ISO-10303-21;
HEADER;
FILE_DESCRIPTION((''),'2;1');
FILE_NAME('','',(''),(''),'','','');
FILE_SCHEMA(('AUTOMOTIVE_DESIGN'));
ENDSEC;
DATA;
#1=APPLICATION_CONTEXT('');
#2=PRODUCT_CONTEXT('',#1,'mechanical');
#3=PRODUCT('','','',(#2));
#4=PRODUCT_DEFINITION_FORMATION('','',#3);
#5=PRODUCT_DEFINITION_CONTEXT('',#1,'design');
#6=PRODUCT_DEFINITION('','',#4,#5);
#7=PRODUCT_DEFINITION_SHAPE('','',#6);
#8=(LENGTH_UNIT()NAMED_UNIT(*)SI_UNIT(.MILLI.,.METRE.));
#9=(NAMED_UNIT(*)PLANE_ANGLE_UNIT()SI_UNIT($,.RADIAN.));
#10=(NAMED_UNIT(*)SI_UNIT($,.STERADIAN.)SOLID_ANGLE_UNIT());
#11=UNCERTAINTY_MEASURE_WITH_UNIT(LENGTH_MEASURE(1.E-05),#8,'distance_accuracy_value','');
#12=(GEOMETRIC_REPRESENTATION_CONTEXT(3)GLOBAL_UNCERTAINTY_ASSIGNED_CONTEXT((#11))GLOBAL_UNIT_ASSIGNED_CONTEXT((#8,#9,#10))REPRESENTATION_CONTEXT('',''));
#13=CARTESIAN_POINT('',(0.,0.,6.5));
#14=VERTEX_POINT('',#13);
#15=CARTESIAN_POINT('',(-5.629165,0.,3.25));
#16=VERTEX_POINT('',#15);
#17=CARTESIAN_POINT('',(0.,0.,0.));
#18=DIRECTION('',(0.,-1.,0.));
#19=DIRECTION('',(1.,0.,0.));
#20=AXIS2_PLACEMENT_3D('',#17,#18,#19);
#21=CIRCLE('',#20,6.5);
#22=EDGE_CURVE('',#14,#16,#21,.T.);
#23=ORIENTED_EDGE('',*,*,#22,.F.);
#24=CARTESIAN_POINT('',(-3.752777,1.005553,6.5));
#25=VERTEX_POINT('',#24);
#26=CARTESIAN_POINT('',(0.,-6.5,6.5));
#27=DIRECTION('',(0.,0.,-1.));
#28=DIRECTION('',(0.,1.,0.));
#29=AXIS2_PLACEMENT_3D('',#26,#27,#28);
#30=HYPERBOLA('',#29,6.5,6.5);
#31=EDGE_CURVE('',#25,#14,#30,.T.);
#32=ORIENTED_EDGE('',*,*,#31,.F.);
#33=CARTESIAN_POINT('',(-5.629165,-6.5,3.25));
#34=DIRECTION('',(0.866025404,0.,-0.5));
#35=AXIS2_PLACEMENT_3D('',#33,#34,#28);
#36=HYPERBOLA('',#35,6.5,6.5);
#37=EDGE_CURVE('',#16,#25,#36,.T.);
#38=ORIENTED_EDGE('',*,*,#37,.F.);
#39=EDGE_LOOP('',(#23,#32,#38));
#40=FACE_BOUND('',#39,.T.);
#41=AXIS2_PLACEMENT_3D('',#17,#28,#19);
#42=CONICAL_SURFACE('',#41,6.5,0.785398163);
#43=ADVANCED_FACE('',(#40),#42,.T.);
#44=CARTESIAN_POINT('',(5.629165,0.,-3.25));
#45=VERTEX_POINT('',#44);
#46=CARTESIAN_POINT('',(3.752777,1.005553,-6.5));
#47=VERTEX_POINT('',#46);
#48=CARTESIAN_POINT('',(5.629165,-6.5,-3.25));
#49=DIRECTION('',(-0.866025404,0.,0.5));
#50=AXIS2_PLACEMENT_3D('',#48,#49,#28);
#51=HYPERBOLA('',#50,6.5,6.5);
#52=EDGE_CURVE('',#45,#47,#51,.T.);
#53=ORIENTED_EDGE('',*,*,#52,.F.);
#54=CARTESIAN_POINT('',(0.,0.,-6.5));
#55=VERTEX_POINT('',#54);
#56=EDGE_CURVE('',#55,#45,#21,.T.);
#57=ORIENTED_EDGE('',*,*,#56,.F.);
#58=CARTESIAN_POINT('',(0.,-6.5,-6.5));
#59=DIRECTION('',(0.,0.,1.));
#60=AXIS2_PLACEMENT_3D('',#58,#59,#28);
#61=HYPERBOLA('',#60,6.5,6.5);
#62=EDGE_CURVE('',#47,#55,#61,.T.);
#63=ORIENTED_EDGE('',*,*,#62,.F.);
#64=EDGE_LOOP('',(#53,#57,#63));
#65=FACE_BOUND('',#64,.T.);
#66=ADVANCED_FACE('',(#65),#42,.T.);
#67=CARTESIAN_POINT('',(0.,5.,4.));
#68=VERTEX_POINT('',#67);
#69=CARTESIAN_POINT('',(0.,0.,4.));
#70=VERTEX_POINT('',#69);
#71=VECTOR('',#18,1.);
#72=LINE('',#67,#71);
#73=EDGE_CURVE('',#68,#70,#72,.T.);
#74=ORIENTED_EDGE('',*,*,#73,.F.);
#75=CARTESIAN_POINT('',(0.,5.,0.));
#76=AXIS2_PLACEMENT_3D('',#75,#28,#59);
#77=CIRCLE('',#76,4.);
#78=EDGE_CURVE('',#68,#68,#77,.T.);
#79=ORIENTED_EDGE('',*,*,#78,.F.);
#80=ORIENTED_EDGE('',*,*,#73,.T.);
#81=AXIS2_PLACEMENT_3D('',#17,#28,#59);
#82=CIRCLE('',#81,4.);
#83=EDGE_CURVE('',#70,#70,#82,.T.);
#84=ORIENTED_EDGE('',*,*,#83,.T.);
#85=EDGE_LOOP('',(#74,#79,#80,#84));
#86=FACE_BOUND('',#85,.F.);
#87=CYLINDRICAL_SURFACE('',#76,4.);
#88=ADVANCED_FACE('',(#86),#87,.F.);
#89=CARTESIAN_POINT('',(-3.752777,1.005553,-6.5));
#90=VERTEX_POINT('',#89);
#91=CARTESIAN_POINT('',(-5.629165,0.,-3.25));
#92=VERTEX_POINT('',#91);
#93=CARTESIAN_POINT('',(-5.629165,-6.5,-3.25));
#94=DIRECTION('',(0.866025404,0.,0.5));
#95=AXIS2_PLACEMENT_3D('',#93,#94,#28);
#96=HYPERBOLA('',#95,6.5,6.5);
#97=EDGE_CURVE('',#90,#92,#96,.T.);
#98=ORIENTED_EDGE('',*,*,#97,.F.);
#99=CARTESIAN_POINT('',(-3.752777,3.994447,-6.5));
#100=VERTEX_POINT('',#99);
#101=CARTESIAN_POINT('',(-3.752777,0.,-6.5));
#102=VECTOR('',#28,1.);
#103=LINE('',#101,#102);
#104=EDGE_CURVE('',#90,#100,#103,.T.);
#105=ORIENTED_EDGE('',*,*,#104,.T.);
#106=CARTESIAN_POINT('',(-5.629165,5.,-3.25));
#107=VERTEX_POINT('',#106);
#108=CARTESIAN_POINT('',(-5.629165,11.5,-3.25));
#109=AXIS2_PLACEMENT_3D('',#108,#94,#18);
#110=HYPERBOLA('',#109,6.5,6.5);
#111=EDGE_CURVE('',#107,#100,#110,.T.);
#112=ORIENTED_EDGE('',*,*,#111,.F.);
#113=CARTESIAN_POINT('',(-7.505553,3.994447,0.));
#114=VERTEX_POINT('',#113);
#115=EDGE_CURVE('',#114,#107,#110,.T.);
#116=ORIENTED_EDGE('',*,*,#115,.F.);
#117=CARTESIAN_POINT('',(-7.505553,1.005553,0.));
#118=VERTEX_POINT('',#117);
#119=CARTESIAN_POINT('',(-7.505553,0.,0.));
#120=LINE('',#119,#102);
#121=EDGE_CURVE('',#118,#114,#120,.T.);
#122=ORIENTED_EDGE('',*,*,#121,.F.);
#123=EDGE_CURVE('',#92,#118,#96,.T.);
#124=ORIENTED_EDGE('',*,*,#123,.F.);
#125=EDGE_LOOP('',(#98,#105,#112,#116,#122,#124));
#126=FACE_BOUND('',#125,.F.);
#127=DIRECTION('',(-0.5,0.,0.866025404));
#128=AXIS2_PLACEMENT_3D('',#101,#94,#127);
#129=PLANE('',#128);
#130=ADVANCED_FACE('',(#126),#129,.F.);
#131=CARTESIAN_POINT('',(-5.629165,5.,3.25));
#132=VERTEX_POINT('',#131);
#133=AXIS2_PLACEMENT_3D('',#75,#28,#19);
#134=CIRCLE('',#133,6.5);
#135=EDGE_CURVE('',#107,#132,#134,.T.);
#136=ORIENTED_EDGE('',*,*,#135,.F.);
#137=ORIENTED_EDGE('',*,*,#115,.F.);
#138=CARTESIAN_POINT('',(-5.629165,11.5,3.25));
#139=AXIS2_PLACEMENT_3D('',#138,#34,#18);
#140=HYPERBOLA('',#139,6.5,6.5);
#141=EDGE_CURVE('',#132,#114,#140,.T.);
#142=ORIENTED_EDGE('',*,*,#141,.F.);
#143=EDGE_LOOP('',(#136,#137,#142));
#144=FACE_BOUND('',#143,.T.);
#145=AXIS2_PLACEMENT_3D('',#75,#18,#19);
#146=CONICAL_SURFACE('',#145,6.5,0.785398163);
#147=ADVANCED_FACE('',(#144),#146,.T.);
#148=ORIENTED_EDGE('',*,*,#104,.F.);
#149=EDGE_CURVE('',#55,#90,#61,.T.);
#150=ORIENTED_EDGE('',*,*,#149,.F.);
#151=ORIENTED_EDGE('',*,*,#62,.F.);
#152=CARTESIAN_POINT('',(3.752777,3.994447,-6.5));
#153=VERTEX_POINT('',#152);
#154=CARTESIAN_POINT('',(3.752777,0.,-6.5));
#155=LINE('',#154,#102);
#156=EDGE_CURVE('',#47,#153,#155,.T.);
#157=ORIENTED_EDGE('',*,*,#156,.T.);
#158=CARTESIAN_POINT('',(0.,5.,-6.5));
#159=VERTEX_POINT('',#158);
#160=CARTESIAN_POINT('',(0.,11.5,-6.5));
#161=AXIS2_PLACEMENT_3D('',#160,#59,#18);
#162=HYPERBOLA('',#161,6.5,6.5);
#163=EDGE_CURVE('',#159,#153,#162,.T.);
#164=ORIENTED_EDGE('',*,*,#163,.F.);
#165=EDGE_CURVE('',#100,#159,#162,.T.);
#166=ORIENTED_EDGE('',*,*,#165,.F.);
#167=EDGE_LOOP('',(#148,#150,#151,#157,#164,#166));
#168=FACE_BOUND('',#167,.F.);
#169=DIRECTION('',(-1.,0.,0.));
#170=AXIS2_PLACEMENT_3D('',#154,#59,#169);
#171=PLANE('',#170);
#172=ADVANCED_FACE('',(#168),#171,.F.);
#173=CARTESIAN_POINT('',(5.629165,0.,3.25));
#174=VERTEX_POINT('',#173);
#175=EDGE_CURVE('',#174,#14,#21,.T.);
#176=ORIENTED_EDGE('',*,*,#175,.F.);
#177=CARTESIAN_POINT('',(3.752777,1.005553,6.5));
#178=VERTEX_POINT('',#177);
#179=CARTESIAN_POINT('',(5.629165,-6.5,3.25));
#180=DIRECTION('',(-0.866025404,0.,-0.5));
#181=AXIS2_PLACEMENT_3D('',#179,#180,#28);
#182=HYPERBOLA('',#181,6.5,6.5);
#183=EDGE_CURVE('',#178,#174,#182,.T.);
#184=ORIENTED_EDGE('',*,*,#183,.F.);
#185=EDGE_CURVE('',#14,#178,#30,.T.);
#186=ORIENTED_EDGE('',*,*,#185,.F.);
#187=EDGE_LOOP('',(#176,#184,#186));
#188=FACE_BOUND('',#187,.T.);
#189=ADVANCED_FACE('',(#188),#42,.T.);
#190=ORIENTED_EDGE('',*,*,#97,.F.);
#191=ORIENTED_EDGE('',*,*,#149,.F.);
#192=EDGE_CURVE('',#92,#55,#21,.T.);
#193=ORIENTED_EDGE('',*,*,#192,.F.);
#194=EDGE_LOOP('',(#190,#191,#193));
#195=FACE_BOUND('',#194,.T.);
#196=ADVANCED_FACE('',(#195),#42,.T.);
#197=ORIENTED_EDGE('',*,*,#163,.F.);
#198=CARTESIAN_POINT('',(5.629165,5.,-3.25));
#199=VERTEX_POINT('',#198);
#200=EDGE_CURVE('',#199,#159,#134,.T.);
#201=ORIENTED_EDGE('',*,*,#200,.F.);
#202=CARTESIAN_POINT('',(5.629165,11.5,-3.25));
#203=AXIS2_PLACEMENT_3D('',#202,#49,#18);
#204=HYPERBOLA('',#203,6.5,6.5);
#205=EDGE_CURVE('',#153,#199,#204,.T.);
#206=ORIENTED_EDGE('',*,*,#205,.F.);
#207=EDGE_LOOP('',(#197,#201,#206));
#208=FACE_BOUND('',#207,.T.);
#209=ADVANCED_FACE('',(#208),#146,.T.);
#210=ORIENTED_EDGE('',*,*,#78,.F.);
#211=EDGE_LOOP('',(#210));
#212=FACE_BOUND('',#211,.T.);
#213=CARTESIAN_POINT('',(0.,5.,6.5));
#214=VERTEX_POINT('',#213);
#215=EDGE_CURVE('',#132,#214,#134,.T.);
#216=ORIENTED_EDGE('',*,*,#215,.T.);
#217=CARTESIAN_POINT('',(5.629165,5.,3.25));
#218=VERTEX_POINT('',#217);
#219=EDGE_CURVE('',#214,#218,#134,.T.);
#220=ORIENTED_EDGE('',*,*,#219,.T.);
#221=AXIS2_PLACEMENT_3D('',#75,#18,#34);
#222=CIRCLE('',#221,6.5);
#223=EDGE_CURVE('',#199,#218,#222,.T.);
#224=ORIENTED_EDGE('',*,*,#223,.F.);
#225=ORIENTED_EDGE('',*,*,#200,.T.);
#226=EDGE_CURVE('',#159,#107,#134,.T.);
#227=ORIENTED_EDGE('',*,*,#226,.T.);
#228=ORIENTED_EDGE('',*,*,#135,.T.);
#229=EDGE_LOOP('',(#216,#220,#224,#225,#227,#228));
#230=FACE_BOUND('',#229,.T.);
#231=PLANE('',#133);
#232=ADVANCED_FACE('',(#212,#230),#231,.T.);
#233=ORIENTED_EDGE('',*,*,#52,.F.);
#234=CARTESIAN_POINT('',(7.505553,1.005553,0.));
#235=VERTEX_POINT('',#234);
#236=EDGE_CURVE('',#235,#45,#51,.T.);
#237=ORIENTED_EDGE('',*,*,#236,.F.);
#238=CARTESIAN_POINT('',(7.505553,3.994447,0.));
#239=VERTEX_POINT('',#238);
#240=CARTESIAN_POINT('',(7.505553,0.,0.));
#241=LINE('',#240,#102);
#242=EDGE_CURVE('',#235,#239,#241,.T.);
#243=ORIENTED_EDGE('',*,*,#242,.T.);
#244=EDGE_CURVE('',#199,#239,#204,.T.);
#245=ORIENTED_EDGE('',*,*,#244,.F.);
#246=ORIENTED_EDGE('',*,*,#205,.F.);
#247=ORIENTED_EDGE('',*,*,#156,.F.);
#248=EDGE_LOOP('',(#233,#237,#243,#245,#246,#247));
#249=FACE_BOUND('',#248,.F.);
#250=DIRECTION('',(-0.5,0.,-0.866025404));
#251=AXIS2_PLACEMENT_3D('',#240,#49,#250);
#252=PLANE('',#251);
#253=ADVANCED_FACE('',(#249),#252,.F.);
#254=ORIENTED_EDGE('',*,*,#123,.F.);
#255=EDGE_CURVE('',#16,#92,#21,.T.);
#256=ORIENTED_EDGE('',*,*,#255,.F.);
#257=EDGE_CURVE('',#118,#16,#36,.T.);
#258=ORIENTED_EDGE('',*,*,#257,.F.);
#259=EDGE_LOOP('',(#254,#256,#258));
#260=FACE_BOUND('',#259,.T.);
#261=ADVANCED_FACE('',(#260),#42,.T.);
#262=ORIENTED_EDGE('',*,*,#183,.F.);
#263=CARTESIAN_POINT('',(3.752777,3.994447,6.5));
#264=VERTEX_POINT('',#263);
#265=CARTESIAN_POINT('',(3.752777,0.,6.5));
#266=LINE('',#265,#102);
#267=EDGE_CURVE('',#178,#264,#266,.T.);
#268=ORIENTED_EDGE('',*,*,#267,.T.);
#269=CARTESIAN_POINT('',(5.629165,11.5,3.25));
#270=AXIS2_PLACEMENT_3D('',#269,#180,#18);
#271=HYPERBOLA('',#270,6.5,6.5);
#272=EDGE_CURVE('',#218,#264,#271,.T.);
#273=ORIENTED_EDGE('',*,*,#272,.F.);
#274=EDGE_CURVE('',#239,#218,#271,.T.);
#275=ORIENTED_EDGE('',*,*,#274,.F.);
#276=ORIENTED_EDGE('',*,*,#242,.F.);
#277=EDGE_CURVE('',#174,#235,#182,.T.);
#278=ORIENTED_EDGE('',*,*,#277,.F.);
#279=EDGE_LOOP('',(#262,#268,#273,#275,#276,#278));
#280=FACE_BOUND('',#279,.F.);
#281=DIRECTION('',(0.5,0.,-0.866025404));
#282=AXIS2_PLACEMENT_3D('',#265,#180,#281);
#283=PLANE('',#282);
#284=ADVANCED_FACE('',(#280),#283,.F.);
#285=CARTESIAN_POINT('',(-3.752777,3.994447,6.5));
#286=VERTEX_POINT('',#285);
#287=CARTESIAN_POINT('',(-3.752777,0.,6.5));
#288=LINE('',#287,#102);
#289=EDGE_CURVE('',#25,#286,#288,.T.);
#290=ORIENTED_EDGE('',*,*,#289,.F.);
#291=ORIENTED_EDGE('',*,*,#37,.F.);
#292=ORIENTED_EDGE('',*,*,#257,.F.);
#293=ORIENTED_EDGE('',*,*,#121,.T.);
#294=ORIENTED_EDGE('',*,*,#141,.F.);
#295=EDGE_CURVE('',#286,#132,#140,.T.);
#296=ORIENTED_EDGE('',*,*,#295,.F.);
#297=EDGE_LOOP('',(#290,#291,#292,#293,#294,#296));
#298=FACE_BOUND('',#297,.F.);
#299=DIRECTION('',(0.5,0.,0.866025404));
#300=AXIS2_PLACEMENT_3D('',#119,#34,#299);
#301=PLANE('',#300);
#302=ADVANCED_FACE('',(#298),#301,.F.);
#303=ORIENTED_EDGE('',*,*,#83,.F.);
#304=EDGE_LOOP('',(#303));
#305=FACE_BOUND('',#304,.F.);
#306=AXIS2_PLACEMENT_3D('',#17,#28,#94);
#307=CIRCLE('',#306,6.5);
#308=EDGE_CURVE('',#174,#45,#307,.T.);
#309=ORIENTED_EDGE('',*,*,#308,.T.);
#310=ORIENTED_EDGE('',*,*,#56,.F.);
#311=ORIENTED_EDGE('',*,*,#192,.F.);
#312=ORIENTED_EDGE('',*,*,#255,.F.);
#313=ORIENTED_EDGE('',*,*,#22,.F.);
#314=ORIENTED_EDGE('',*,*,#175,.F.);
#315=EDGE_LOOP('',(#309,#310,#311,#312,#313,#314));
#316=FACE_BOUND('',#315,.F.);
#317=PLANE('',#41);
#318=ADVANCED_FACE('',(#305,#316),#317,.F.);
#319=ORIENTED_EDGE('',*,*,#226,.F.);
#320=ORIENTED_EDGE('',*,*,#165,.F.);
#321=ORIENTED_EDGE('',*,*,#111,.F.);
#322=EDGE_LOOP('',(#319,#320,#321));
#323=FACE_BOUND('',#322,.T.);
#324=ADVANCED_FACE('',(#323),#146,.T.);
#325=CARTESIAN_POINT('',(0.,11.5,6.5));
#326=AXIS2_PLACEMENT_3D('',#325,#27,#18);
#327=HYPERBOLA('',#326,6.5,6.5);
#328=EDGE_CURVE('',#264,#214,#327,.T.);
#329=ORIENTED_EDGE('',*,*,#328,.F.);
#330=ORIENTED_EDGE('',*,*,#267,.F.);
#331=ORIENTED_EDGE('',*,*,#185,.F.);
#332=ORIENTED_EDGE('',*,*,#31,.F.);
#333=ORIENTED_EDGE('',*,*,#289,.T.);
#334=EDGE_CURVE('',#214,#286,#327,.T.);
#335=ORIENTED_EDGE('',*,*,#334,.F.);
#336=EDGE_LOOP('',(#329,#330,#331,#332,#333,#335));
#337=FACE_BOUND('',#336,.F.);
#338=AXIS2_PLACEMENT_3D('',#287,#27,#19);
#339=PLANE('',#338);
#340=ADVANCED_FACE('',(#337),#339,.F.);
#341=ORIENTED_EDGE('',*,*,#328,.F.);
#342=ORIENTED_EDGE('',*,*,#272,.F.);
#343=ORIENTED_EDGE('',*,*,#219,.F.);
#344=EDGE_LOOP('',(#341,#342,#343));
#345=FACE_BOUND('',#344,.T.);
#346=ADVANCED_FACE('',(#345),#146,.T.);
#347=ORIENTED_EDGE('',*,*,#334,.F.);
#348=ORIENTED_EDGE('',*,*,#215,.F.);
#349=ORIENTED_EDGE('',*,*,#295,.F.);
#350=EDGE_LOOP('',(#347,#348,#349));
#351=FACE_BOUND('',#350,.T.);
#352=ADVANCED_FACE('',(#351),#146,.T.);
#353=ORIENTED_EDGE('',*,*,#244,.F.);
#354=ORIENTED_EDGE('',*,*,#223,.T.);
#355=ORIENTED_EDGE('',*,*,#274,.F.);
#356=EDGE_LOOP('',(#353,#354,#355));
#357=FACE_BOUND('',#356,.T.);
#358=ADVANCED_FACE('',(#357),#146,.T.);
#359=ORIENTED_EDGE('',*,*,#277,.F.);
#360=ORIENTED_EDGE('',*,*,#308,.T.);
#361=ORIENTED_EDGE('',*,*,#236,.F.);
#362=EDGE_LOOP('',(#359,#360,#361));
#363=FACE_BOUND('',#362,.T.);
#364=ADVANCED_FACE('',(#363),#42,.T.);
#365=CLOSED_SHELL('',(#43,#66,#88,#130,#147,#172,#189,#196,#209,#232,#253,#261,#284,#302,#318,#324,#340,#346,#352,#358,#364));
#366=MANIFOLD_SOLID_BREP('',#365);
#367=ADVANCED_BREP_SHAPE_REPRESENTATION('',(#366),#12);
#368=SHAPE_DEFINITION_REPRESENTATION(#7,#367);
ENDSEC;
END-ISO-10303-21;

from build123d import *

# Parameters (mm, degrees)
BOSS_EXTRUDE1_DEPTH     = 5
SKETCH2_OUTSIDE_W       = 45.342
SKETCH2_OUTSIDE_H       = 43.33
SKETCH2_OUTSIDE_R       = 6.5
CUT_EXTRUDE1_DEPTH      = 12.116804097
CUT_EXTRUDE1_DRAFT      = -45
MIRROR1_COPY_1_SKETCH_W = 45.342
MIRROR1_COPY_1_SKETCH_H = 43.33
MIRROR1_COPY_1_SKETCH_R = 6.5
MIRROR1_COPY_1_DEPTH    = 12.116804097
MIRROR1_COPY_1_DRAFT    = -45
SKETCH3_R               = 4
CUT_EXTRUDE2_DEPTH      = 12.116804097


with BuildPart() as part:
    # Sketch1 → Boss-Extrude1 (new body)
    with BuildSketch(Plane(origin=(0, 0, 0), x_dir=(1, 0, 0), z_dir=(0, 1, 0))):
        Polygon((7.505553499, 0), (3.75277675, 6.5), (-3.75277675, 6.5), (-7.505553499, 0), (-3.75277675, -6.5), (3.75277675, -6.5), align=None)
    extrude(amount=BOSS_EXTRUDE1_DEPTH)


with BuildPart() as cut_extrude1_tool:
    # Sketch2 outside → Cut-Extrude1 (with draft: the straight prism first)
    with BuildSketch(Plane(origin=(0, 5, 0), x_dir=(1, 0, 0), z_dir=(0, 1, 0))):
        Rectangle(SKETCH2_OUTSIDE_W, SKETCH2_OUTSIDE_H)
        Circle(SKETCH2_OUTSIDE_R, mode=Mode.SUBTRACT)
    extrude(amount=-CUT_EXTRUDE1_DEPTH)
    # Cut-Extrude1: the draft: its side faces are tilted about the plane it starts from
    cut_extrude1_sides = [cut_extrude1_tool.faces().sort_by_distance(p)[0] for p in [
        (0, -1.058402049, 21.665),
        (22.671, -1.058402049, 0),
        (0, -1.058402049, -21.665),
        (-22.671, -1.058402049, 0),
        (-6.5, -1.058402049, 0),
    ]]
    draft(cut_extrude1_sides, Plane(origin=(0, 5, 0), x_dir=(1, 0, 0), z_dir=(0, 1, 0)), CUT_EXTRUDE1_DRAFT)


with BuildPart() as part_1:
    add(part.part)

    # Cut-Extrude1: cut by cut_extrude1_tool
    add(cut_extrude1_tool.part, mode=Mode.SUBTRACT)


with BuildPart() as mirror1_copy_1_tool:
    # Mirror1 copy 1 sketch → Mirror1 copy 1 (with draft: the straight prism first)
    with BuildSketch(Plane.XZ):
        Rectangle(MIRROR1_COPY_1_SKETCH_W, MIRROR1_COPY_1_SKETCH_H)
        Circle(MIRROR1_COPY_1_SKETCH_R, mode=Mode.SUBTRACT)
    extrude(amount=-MIRROR1_COPY_1_DEPTH)
    # Mirror1 copy 1: the draft: its side faces are tilted about the plane it starts from
    mirror1_copy_1_sides = [mirror1_copy_1_tool.faces().sort_by_distance(p)[0] for p in [
        (0, 6.058402049, 21.665),
        (22.671, 6.058402049, 0),
        (0, 6.058402049, -21.665),
        (-22.671, 6.058402049, 0),
        (-6.5, 6.058402049, 0),
    ]]
    draft(mirror1_copy_1_sides, Plane.XZ, MIRROR1_COPY_1_DRAFT)


with BuildPart() as part_2:
    add(part_1.part)

    # Mirror1 copy 1: cut by mirror1_copy_1_tool
    add(mirror1_copy_1_tool.part, mode=Mode.SUBTRACT)

    # Sketch3 → Cut-Extrude2 (cut, through all)
    with BuildSketch(Plane(origin=(0, 5, 0), x_dir=(1, 0, 0), z_dir=(0, 1, 0))):
        with Locations(Location((0, 0, 0), (0, 0, 270))):
            Circle(SKETCH3_R)
    extrude(amount=-CUT_EXTRUDE2_DEPTH, mode=Mode.SUBTRACT)


solid = part_2.part
